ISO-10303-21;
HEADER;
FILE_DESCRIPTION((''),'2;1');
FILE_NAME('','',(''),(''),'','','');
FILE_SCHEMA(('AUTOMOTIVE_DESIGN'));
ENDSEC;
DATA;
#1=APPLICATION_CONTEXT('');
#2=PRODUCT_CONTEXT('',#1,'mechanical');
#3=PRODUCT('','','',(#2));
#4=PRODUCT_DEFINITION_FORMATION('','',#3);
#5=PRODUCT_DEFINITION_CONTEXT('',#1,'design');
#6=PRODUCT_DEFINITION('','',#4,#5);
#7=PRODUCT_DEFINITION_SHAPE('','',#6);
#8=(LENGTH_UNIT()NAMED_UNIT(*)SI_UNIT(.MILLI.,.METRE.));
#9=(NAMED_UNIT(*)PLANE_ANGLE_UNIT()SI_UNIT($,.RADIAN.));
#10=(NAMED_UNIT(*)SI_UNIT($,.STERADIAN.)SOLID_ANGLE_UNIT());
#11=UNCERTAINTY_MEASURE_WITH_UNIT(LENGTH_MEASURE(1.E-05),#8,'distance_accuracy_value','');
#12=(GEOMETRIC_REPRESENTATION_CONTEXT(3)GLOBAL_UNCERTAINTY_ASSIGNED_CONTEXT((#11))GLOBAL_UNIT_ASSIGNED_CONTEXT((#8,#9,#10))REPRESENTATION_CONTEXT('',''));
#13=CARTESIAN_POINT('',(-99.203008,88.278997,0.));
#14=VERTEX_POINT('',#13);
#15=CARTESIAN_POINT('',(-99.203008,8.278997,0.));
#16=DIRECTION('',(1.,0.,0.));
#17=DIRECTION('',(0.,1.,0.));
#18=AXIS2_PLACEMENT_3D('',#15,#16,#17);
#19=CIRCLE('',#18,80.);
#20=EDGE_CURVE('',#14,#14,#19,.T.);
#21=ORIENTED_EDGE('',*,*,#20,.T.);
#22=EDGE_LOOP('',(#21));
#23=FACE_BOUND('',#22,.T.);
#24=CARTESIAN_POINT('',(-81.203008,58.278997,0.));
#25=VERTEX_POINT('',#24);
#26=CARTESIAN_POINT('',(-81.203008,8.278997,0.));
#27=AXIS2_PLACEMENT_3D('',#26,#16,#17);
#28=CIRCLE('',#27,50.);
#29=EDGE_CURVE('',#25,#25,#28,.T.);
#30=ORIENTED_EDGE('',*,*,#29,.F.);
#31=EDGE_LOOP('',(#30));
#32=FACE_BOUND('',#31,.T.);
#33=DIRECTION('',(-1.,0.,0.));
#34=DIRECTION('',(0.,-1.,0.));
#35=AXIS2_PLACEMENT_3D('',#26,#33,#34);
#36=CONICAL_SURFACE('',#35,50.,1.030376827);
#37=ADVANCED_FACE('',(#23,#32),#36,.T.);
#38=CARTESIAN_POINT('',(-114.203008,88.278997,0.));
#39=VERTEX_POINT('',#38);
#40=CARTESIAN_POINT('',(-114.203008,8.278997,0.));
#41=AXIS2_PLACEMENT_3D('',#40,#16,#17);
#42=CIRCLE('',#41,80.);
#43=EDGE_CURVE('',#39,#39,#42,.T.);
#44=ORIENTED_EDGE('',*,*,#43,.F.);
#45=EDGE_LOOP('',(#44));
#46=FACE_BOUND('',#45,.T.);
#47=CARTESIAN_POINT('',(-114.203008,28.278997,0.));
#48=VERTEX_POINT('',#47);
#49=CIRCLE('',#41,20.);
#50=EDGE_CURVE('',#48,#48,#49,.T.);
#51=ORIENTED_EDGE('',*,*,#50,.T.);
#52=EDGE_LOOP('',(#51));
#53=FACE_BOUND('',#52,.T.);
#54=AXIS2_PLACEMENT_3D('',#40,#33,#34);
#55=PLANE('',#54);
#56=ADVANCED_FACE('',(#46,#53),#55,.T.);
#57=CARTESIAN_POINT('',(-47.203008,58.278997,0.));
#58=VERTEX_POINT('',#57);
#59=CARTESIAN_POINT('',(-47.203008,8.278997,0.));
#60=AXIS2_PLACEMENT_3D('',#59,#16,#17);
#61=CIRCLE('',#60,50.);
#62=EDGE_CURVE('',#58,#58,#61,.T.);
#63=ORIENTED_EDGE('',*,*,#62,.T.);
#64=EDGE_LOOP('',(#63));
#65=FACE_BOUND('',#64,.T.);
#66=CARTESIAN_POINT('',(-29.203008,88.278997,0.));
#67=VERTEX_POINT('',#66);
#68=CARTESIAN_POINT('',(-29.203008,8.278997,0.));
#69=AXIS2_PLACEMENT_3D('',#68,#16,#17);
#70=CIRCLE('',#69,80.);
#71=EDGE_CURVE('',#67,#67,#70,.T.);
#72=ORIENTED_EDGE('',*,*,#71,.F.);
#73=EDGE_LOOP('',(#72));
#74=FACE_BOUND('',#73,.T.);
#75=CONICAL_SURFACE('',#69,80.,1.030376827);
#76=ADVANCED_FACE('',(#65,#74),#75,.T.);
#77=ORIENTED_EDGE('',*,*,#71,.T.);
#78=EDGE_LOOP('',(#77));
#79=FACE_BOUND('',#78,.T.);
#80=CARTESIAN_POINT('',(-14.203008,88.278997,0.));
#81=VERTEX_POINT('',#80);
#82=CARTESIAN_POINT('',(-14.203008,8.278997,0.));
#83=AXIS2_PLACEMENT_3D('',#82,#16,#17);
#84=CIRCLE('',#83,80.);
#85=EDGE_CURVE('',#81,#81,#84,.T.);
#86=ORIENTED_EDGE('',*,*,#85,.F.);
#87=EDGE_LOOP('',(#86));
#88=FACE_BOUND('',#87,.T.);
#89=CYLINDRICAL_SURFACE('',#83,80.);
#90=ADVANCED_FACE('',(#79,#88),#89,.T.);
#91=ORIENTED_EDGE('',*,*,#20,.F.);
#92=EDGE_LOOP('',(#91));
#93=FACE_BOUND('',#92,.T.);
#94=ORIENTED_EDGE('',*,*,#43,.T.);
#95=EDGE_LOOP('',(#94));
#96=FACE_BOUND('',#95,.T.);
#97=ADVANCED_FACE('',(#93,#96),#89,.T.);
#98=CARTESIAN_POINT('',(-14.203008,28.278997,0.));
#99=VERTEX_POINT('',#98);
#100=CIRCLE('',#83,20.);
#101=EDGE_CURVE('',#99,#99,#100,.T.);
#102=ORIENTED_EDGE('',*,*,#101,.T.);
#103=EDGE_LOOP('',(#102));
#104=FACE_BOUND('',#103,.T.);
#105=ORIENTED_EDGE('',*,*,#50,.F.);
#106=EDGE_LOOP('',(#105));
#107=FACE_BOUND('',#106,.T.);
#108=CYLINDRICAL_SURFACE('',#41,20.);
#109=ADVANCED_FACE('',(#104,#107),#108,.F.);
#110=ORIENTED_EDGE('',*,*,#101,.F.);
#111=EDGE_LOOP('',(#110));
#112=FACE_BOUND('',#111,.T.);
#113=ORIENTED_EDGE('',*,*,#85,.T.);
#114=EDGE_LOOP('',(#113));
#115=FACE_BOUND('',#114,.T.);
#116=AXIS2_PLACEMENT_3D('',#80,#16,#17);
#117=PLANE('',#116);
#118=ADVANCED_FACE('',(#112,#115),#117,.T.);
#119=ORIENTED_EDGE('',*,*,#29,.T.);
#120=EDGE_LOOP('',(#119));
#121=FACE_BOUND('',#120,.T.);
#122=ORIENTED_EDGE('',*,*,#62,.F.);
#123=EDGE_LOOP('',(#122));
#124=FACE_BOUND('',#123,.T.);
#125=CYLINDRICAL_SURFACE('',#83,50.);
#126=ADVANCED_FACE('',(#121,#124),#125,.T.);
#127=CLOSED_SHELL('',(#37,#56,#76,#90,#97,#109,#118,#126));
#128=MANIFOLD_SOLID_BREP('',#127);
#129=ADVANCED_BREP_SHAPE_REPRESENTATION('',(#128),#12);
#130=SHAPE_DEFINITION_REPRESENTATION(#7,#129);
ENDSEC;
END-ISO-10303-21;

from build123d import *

# Parameters (mm, degrees)
SKETCH_2_R          = 20
CUT_EXTRUDE_1_DEPTH = 156.541574118


with BuildPart() as part:
    # 草图1 → 旋转1 (revolve)
    with BuildSketch(Plane.XY):
        Polygon((-114.203007519, 8.278996818), (-114.203007519, 88.278996818), (-99.203007519, 88.278996818), (-81.203007519, 58.278996818), (-47.203007519, 58.278996818), (-29.203007519, 88.278996818), (-14.203007519, 88.278996818), (-14.203007519, 8.278996818), align=None)
    revolve(axis=Axis((-14.203007519, 8.278996818, 0), (-1, 0, 0)))

    # 草图2 → 切除-拉伸1 (cut, through all)
    with BuildSketch(Plane(origin=(-14.203007519, 0, 0), x_dir=(0, 0, -1), z_dir=(1, 0, 0))):
        with Locations(Location((0, 8.278996818, 0), (0, 0, 90))):
            Circle(SKETCH_2_R)
    extrude(amount=-CUT_EXTRUDE_1_DEPTH, mode=Mode.SUBTRACT)


solid = part.part
